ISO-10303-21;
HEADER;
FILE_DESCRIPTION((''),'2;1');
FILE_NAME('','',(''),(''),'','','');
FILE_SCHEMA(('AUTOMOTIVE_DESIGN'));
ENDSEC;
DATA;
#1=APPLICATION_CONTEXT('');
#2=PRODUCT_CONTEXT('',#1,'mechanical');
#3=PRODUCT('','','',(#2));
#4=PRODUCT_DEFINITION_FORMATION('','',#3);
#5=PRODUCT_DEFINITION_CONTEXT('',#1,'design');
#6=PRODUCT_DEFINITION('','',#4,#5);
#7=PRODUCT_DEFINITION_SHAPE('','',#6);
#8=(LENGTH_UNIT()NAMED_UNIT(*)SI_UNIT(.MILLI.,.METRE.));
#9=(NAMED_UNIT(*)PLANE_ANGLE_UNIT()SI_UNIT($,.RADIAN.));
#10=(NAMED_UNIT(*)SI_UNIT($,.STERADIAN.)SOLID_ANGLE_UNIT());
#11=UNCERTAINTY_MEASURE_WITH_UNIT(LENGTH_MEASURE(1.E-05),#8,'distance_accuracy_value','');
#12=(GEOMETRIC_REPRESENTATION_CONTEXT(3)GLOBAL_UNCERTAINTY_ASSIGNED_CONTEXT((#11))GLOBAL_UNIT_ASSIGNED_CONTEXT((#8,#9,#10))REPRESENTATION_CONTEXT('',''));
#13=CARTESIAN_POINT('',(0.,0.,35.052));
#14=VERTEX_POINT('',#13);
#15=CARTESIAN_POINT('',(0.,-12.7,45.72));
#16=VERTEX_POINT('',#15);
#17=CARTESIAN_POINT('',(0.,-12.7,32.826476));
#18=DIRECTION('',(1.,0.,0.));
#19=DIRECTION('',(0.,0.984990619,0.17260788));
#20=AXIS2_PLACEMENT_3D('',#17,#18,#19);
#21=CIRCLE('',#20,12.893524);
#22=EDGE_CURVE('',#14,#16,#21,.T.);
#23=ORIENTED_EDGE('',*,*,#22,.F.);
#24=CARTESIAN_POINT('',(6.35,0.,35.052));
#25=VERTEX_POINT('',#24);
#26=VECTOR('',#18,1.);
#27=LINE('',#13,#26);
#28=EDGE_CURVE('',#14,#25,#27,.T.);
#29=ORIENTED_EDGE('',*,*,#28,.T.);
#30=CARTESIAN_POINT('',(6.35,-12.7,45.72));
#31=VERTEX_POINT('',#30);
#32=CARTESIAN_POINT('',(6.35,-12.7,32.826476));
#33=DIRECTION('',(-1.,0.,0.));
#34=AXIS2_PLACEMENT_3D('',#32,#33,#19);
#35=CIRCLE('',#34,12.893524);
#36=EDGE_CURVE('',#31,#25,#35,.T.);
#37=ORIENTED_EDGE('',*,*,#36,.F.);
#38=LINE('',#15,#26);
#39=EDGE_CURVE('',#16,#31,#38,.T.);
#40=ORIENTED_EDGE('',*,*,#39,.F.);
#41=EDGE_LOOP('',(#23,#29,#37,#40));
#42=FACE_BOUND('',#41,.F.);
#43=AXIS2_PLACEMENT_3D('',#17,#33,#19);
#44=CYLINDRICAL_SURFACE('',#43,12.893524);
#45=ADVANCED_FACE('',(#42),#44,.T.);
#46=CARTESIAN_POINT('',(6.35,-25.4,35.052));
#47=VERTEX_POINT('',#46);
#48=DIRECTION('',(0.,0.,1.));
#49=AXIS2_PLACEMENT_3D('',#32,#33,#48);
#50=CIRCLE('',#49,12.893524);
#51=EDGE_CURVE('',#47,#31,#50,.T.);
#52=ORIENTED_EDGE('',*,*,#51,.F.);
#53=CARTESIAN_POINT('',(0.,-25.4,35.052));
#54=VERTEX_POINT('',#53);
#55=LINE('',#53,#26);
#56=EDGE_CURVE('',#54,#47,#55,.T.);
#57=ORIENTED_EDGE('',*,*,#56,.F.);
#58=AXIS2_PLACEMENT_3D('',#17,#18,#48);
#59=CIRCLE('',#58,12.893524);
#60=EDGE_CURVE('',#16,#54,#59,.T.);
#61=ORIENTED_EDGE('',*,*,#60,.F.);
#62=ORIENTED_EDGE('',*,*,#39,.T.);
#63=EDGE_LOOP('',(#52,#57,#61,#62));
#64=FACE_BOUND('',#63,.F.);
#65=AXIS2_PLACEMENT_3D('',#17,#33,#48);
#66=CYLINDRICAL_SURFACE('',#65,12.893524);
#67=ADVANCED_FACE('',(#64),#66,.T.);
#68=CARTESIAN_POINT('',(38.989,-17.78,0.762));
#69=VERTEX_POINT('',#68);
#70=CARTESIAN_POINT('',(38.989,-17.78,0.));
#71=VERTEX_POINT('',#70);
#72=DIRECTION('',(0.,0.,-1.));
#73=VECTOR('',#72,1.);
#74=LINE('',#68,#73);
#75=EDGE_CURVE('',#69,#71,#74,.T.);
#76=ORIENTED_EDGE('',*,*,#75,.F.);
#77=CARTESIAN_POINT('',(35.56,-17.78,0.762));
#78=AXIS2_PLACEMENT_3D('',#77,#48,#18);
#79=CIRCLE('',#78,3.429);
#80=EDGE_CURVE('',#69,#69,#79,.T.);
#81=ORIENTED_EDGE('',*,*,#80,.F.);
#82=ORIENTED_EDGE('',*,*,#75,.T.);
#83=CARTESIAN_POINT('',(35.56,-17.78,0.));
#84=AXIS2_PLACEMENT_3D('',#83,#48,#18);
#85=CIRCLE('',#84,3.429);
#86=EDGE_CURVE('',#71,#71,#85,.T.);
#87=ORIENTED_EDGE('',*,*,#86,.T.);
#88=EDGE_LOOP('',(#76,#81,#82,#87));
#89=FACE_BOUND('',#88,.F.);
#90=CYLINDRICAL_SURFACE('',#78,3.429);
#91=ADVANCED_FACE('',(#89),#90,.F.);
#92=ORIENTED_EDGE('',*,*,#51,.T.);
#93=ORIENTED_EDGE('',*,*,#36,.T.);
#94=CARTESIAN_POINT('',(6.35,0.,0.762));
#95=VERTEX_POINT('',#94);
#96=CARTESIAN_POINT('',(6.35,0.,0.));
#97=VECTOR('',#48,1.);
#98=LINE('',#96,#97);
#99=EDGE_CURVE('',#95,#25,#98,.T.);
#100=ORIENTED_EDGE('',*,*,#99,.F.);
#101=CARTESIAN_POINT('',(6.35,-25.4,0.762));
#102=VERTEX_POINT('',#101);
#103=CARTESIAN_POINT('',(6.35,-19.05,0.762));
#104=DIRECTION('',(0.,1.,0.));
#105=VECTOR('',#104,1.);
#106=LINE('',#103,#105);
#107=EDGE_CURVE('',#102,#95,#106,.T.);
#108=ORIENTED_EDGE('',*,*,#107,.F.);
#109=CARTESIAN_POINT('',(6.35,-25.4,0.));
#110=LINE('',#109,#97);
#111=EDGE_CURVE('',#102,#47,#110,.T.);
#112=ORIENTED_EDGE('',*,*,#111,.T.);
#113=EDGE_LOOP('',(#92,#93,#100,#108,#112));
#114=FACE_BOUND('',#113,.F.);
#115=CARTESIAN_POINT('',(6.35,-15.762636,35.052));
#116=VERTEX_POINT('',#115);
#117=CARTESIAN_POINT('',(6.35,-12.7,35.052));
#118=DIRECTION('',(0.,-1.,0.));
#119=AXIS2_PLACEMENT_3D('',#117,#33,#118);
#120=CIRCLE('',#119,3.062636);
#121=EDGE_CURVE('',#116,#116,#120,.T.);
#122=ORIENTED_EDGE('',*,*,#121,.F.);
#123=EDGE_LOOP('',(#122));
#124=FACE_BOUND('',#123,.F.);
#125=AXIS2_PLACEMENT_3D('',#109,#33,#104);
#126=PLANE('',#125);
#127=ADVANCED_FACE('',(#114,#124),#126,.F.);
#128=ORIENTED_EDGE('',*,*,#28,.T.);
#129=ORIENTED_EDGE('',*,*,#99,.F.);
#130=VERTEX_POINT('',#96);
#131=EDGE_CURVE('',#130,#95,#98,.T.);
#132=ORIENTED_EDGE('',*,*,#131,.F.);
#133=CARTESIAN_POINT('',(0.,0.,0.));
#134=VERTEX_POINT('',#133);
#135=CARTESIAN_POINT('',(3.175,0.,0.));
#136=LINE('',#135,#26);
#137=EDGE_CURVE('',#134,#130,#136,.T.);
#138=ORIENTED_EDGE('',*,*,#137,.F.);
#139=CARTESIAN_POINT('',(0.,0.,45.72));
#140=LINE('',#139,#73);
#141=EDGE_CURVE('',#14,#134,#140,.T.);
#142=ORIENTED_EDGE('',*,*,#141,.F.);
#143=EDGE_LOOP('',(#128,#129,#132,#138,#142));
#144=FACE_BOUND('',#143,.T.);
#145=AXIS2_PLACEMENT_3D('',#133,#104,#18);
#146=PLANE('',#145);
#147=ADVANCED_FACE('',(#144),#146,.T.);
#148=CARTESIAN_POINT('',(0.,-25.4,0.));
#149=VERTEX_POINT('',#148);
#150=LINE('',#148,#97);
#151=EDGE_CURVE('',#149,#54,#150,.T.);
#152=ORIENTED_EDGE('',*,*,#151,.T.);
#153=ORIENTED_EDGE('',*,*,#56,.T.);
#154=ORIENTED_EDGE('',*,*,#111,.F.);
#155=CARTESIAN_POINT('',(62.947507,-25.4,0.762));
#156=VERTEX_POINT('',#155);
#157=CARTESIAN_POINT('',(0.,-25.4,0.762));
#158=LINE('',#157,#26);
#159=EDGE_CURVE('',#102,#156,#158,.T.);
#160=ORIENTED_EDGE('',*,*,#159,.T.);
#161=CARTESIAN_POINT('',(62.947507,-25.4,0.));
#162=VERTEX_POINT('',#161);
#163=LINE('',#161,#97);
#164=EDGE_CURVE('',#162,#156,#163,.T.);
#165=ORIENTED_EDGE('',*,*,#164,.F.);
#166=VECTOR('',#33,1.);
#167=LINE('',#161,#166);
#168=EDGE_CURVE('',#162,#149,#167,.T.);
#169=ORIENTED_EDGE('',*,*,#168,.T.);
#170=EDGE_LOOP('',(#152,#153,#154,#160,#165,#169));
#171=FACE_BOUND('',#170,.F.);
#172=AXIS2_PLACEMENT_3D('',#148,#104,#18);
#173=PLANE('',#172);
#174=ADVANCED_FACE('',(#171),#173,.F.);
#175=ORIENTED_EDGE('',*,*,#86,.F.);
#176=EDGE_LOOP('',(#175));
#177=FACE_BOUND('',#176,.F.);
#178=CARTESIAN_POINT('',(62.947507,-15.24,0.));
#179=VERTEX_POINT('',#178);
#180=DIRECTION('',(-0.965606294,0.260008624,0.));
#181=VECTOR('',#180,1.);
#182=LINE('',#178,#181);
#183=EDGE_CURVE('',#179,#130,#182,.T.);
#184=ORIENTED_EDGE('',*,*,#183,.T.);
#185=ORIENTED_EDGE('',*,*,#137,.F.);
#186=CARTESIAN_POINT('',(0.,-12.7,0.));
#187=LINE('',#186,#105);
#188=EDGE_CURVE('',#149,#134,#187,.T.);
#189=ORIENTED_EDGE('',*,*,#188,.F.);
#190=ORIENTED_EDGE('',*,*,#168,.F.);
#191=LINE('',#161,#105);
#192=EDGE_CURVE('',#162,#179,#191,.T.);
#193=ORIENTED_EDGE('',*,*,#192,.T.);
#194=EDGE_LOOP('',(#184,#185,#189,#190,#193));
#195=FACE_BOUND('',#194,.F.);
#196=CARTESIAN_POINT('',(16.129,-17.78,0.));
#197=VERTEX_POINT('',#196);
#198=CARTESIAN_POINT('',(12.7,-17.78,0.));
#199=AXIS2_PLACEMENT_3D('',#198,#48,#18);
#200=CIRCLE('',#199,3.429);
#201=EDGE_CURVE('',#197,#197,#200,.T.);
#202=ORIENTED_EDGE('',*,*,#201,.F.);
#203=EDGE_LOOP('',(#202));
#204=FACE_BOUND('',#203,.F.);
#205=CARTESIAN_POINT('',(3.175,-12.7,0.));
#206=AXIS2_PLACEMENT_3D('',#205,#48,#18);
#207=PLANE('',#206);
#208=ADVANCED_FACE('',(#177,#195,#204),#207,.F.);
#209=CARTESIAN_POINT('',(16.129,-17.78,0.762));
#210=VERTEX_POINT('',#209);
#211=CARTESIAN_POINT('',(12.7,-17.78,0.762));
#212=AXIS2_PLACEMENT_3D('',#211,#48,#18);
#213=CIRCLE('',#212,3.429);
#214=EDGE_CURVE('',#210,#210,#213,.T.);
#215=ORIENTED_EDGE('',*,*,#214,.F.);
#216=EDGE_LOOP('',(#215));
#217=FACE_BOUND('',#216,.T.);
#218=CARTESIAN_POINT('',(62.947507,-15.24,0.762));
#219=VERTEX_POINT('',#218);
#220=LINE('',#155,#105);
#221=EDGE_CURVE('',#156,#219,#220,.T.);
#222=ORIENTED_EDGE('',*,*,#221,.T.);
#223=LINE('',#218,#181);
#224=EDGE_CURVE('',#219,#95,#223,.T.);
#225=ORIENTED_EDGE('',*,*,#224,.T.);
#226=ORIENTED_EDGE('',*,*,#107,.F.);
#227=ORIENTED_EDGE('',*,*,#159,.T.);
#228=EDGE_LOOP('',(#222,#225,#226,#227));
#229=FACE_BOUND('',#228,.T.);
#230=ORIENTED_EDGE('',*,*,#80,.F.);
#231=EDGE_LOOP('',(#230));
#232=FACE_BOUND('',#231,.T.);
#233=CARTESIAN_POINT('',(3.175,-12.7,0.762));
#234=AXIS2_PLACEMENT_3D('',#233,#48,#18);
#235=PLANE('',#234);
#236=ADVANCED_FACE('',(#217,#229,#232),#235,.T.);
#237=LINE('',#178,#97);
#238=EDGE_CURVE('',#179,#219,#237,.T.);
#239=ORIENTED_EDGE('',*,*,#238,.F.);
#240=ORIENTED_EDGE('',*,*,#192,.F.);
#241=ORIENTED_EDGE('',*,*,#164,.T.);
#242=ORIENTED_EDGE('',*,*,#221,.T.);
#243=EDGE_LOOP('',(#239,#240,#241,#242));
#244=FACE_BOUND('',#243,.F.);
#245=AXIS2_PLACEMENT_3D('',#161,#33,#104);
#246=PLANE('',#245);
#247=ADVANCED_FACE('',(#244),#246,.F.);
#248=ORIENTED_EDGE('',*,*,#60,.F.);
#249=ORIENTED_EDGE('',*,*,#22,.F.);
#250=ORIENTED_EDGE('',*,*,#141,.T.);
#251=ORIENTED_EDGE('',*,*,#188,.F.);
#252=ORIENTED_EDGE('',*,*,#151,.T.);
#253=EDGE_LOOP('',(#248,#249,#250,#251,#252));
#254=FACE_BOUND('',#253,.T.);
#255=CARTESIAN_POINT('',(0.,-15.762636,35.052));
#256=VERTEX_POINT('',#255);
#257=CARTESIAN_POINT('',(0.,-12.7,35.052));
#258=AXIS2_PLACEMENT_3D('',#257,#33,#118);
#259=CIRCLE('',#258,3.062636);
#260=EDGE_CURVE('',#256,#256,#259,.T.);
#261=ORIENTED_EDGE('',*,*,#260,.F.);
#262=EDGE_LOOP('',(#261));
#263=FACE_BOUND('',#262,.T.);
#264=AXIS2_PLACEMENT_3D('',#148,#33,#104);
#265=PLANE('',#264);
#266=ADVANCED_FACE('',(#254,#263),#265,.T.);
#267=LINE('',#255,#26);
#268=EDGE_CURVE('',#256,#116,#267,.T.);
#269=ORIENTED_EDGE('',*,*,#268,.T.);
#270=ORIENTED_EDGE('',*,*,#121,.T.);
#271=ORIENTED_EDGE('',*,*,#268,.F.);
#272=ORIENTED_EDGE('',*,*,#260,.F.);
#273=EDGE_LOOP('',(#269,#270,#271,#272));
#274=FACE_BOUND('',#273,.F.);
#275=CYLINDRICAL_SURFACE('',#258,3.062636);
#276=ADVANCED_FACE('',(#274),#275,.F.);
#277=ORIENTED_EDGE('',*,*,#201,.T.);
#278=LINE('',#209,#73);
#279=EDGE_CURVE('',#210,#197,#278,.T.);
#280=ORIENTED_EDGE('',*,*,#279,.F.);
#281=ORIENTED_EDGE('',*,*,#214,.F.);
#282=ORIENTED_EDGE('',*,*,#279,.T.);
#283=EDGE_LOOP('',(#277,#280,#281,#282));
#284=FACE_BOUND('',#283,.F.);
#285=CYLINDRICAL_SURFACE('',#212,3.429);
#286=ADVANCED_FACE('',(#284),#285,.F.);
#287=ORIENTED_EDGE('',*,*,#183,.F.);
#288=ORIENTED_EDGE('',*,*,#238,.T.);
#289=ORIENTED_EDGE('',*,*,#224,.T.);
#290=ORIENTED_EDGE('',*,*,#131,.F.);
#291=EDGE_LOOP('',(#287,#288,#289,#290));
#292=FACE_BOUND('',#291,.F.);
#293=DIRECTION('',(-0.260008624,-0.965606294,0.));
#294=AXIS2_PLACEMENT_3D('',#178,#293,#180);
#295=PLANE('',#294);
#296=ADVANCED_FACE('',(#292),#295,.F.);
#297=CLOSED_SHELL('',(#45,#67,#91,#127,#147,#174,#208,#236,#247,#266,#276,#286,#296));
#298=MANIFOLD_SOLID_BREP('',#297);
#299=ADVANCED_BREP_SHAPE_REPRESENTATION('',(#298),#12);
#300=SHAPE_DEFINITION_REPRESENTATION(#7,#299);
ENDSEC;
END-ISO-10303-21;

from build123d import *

# Parameters (mm, degrees)
F0_W     = 6.35
F0_H     = 25.4
F1_DEPTH = 45.72
F2_R     = 3.062636224
F3_DEPTH = 25.4
F5_DEPTH = 0.762
F6_DEPTH = 25.4
F7_R     = 3.429
F8_DEPTH = 25.4


with BuildPart() as f1:
    # F0 (on Top) → F1 (new body)
    with BuildSketch(Plane.XY):
        with Locations((3.175, -12.7)):
            Rectangle(F0_W, F0_H)
    extrude(amount=F1_DEPTH)

    # F2 (on face) → F3 (cut)
    with BuildSketch(Plane(origin=(0, 0, 0), x_dir=(0, -1, 0), z_dir=(-1, 0, 0))):
        with Locations((12.7, 35.052)):
            Circle(F2_R)
    extrude(amount=-F3_DEPTH, mode=Mode.SUBTRACT)

    # F0 (on Top) → F5 (join)
    with BuildSketch(Plane.XY):
        with Locations((3.175, -12.7)):
            Rectangle(F0_W, F0_H)
        Polygon((62.9475070931, -15.24), (6.35, 0), (6.35, -25.4), (62.9475070931, -25.4), align=None)
    extrude(amount=F5_DEPTH)

    # F4 (on face) → F6 (cut)
    with BuildSketch(Plane(origin=(0, 0, 0), x_dir=(0, -1, 0), z_dir=(-1, 0, 0))):
        with BuildLine():
            ThreePointArc((0, 35.052), (4.4069875196, 42.6991100957), (12.7, 45.72))
            Line((12.7, 45.72), (0, 45.72))
            Line((0, 45.72), (0, 35.052))
        make_face()
        with BuildLine():
            ThreePointArc((12.7, 45.72), (20.9930124804, 42.6991100957), (25.4, 35.052))
            Line((25.4, 35.052), (25.4, 45.72))
            Line((25.4, 45.72), (12.7, 45.72))
        make_face()
    extrude(amount=-F6_DEPTH, mode=Mode.SUBTRACT)

    # F7 (on face) → F8 (cut)
    with BuildSketch(Plane.XY.offset(0.762)):
        with Locations((12.7, -17.78)):
            Circle(F7_R)
        with Locations((35.56, -17.78)):
            Circle(F7_R)
    extrude(amount=-F8_DEPTH, mode=Mode.SUBTRACT)


solid = f1.part
